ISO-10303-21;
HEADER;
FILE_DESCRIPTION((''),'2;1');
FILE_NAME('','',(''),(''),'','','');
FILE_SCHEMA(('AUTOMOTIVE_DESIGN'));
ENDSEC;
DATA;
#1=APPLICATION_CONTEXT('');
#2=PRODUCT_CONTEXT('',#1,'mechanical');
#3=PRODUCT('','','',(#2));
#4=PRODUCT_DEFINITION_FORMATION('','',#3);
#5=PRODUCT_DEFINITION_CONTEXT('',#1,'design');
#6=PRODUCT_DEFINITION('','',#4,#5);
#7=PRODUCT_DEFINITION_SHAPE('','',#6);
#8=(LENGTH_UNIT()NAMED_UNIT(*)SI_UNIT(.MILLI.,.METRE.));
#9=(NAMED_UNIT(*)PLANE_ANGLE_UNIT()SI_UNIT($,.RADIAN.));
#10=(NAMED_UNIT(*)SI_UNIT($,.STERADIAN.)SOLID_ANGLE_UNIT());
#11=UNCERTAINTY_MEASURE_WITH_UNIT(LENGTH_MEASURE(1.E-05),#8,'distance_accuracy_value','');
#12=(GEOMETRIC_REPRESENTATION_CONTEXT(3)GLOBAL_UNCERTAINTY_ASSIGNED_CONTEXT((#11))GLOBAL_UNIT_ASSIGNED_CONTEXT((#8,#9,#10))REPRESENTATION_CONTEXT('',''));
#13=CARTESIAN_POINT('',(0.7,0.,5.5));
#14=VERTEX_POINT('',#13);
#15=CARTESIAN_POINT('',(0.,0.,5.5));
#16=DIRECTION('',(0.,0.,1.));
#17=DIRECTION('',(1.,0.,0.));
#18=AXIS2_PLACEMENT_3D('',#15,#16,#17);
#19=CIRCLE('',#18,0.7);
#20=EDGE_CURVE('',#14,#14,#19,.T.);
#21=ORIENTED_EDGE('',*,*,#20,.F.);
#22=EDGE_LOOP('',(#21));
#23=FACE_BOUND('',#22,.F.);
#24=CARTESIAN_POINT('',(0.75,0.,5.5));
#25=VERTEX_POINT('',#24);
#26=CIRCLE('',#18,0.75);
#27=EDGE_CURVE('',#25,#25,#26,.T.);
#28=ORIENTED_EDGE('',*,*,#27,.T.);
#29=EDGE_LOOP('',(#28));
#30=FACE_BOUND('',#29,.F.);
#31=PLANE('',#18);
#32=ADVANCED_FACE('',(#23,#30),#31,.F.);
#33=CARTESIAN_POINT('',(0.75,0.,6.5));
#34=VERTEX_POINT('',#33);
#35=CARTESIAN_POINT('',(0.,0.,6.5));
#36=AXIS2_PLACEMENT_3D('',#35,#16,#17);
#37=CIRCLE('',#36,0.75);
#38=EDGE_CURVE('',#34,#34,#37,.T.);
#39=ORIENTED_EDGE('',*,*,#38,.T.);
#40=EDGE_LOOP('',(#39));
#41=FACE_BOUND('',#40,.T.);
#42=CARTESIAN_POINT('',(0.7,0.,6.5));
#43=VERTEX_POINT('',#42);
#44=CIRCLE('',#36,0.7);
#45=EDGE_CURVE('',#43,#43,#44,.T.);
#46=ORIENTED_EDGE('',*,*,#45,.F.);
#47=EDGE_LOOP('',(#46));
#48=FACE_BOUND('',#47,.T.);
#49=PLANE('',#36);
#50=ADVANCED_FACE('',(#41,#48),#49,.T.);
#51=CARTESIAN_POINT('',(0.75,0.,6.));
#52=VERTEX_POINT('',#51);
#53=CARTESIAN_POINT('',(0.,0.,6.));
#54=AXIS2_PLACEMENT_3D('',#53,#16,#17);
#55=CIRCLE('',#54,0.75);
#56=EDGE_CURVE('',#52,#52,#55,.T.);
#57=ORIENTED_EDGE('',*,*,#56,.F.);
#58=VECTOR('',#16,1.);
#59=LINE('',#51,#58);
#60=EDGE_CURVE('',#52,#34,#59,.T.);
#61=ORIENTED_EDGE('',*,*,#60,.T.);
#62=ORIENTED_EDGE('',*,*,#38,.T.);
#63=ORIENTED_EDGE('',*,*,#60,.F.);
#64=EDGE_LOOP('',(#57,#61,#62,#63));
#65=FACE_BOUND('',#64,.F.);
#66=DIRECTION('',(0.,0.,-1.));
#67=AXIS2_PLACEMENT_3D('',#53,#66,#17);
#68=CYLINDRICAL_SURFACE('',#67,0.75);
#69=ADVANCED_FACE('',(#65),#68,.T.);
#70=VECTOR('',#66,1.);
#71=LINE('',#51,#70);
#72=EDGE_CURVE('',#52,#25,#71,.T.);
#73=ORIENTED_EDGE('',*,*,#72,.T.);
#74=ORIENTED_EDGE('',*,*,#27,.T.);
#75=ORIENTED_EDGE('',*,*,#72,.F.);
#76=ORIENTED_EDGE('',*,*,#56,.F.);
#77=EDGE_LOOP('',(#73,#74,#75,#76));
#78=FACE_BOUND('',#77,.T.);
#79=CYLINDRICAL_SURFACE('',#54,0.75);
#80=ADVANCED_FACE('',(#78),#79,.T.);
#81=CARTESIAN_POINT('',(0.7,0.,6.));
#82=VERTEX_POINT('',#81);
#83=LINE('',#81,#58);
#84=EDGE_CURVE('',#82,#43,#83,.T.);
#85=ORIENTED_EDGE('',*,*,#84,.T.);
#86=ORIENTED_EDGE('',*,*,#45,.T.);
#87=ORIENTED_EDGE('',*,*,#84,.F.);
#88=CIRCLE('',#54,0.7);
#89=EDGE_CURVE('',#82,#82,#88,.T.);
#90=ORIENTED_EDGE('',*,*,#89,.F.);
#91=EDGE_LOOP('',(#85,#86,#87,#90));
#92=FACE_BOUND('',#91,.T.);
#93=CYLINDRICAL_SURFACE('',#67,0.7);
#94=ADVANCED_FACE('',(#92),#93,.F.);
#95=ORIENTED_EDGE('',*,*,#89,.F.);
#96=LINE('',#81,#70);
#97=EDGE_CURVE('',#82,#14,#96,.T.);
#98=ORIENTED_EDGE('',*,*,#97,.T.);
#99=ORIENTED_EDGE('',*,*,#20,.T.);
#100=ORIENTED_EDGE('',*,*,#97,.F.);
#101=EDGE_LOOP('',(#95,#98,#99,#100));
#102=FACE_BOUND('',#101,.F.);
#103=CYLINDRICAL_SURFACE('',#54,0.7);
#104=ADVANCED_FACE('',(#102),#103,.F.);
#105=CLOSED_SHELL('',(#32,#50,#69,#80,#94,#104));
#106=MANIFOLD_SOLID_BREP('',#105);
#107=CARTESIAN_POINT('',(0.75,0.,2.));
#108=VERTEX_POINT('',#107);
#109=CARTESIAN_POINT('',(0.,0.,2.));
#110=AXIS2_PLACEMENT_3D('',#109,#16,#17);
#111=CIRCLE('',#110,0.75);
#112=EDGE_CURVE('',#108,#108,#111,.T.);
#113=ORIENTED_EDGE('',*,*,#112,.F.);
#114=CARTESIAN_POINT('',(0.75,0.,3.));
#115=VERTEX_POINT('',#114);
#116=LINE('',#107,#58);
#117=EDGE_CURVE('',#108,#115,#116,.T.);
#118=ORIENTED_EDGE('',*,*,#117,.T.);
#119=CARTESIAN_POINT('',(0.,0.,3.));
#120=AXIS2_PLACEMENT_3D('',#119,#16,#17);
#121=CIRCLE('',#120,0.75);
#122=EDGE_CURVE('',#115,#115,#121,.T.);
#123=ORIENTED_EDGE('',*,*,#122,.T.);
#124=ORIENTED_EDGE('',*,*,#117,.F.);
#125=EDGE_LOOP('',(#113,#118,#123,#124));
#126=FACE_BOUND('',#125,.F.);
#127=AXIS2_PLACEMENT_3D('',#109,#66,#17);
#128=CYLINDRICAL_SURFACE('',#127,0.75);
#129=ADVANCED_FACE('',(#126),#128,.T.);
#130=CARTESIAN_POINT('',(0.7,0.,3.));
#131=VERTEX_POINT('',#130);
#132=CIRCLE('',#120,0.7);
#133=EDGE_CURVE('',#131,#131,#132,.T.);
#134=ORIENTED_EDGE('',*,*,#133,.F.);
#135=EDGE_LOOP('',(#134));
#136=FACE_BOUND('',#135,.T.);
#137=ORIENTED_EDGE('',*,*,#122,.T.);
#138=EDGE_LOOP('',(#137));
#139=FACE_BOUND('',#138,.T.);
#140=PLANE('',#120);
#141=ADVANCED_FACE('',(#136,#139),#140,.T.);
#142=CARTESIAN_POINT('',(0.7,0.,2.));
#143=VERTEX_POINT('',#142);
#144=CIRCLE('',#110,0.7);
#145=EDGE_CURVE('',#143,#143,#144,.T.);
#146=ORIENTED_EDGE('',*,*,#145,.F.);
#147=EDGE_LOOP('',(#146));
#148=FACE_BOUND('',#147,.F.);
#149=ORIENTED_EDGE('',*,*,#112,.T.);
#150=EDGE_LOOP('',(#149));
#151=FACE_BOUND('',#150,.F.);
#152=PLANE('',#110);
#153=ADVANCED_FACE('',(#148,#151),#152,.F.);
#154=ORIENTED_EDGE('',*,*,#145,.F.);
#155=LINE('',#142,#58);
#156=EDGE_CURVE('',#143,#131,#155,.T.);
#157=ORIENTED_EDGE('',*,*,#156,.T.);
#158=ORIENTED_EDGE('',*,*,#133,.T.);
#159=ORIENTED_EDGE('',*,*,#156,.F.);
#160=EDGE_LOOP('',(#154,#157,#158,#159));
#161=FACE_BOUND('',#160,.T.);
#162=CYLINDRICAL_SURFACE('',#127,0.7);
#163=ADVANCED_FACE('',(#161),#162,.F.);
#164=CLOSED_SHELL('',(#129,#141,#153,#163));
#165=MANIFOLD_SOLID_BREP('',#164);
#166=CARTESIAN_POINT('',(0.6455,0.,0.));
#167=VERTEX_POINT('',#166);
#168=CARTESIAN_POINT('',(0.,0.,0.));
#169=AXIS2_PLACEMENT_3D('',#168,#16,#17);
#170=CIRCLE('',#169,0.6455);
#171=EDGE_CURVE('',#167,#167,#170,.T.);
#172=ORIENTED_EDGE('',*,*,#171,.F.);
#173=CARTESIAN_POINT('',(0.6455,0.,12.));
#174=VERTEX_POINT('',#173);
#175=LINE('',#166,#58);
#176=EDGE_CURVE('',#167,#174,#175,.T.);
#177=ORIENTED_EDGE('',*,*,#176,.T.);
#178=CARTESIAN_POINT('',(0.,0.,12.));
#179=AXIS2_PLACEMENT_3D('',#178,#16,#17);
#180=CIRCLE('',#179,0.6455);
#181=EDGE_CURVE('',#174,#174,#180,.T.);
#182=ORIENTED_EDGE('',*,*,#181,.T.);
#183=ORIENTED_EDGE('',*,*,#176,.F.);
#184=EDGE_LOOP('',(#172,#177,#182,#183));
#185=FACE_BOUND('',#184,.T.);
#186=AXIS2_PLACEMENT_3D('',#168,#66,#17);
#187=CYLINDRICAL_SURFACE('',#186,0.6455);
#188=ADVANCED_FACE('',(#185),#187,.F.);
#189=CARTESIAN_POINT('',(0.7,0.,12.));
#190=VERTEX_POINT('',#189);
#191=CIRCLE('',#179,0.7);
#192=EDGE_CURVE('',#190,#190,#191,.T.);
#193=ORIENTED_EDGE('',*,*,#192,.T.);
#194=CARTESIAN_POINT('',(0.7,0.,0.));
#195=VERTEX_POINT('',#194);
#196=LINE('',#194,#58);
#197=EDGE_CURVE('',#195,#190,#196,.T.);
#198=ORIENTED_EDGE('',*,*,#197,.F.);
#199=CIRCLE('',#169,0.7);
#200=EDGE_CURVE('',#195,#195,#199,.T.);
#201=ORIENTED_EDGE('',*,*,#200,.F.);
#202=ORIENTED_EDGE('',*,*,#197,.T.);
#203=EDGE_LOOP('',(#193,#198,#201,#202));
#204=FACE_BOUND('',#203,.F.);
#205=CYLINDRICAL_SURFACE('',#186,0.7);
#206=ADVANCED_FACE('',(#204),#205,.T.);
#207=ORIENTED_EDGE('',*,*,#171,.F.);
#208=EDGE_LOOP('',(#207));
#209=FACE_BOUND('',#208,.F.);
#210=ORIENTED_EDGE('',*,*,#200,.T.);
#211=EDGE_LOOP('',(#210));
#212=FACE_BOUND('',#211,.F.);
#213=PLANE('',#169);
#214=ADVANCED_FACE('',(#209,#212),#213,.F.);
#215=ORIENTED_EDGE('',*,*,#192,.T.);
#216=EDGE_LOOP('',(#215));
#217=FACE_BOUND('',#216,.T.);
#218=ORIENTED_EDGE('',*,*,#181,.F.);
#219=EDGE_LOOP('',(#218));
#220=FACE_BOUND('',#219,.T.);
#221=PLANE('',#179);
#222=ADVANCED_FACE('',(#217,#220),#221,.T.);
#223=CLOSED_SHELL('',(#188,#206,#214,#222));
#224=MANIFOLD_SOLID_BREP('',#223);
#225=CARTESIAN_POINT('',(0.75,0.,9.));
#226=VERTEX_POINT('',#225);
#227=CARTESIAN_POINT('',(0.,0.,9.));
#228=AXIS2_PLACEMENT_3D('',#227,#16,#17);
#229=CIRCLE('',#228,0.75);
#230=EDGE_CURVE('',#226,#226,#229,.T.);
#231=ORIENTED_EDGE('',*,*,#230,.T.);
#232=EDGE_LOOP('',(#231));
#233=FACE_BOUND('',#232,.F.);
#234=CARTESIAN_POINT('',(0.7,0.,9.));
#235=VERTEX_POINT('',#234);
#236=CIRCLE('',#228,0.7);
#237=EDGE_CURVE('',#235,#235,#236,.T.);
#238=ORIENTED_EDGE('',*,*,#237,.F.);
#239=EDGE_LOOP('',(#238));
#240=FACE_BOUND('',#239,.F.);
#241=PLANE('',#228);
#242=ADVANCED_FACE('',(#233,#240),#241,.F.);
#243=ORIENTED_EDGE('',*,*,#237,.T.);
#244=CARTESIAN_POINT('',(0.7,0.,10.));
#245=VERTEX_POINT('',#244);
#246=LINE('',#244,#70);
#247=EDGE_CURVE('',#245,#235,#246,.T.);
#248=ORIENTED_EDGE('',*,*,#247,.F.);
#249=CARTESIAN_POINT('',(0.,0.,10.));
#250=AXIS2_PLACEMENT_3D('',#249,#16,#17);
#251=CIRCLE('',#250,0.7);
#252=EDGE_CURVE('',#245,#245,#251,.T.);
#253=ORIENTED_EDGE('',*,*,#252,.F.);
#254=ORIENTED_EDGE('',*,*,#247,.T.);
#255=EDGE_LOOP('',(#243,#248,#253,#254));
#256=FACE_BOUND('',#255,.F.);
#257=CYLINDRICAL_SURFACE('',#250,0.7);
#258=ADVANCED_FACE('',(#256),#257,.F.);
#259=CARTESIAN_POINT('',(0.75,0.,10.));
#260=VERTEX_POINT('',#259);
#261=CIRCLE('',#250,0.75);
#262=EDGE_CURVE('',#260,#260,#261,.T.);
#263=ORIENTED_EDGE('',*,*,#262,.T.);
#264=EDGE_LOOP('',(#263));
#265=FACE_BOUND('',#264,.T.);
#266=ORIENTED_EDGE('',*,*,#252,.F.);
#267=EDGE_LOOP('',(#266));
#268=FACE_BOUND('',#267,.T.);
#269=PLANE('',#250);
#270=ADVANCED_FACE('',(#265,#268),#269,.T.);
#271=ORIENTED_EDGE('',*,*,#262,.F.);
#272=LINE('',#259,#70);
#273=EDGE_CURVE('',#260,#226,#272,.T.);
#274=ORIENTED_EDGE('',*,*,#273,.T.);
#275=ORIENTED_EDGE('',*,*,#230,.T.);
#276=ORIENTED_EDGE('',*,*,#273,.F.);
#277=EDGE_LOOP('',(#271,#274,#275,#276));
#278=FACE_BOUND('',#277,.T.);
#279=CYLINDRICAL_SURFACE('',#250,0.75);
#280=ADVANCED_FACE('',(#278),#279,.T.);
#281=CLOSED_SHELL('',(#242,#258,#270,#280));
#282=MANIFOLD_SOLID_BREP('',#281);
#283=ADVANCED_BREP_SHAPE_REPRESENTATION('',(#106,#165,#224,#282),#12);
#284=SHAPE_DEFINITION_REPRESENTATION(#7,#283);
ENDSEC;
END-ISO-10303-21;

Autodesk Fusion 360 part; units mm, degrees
sketch "Sketch1" plane through (0, 0, 0) normal (0, 0, 1) x (1, 0, 0)
  circle A0 centre (0, 0) radius 0.6455
  circle A1 centre (0, 0) radius 0.7
  dimension "d1" = 1.291
  dimension "d2" = 1.4
extrude "Extrude1" add sketch "Sketch1" along normal blind 12 makes body 1
sketch "Sketch2" plane through (0, 0, 0) normal (0, 0, 1) x (1, 0, 0)
  circle A0 centre (0, 0) radius 0.7
  circle A1 centre (0, 0) radius 0.75
  dimension "d5" = 1.4
  dimension "d6" = 1.5
extrude "Extrude2" add sketch "Sketch2" along normal blind 1 from surface at 2 separate body makes body 2
extrude "Extrude3" add sketch "Sketch2" against normal blind 1 from surface at 10 separate body makes body 3
extrude "Extrude4" add sketch "Sketch2" along normal mid plane 1 from surface at 6 separate body makes body 4
